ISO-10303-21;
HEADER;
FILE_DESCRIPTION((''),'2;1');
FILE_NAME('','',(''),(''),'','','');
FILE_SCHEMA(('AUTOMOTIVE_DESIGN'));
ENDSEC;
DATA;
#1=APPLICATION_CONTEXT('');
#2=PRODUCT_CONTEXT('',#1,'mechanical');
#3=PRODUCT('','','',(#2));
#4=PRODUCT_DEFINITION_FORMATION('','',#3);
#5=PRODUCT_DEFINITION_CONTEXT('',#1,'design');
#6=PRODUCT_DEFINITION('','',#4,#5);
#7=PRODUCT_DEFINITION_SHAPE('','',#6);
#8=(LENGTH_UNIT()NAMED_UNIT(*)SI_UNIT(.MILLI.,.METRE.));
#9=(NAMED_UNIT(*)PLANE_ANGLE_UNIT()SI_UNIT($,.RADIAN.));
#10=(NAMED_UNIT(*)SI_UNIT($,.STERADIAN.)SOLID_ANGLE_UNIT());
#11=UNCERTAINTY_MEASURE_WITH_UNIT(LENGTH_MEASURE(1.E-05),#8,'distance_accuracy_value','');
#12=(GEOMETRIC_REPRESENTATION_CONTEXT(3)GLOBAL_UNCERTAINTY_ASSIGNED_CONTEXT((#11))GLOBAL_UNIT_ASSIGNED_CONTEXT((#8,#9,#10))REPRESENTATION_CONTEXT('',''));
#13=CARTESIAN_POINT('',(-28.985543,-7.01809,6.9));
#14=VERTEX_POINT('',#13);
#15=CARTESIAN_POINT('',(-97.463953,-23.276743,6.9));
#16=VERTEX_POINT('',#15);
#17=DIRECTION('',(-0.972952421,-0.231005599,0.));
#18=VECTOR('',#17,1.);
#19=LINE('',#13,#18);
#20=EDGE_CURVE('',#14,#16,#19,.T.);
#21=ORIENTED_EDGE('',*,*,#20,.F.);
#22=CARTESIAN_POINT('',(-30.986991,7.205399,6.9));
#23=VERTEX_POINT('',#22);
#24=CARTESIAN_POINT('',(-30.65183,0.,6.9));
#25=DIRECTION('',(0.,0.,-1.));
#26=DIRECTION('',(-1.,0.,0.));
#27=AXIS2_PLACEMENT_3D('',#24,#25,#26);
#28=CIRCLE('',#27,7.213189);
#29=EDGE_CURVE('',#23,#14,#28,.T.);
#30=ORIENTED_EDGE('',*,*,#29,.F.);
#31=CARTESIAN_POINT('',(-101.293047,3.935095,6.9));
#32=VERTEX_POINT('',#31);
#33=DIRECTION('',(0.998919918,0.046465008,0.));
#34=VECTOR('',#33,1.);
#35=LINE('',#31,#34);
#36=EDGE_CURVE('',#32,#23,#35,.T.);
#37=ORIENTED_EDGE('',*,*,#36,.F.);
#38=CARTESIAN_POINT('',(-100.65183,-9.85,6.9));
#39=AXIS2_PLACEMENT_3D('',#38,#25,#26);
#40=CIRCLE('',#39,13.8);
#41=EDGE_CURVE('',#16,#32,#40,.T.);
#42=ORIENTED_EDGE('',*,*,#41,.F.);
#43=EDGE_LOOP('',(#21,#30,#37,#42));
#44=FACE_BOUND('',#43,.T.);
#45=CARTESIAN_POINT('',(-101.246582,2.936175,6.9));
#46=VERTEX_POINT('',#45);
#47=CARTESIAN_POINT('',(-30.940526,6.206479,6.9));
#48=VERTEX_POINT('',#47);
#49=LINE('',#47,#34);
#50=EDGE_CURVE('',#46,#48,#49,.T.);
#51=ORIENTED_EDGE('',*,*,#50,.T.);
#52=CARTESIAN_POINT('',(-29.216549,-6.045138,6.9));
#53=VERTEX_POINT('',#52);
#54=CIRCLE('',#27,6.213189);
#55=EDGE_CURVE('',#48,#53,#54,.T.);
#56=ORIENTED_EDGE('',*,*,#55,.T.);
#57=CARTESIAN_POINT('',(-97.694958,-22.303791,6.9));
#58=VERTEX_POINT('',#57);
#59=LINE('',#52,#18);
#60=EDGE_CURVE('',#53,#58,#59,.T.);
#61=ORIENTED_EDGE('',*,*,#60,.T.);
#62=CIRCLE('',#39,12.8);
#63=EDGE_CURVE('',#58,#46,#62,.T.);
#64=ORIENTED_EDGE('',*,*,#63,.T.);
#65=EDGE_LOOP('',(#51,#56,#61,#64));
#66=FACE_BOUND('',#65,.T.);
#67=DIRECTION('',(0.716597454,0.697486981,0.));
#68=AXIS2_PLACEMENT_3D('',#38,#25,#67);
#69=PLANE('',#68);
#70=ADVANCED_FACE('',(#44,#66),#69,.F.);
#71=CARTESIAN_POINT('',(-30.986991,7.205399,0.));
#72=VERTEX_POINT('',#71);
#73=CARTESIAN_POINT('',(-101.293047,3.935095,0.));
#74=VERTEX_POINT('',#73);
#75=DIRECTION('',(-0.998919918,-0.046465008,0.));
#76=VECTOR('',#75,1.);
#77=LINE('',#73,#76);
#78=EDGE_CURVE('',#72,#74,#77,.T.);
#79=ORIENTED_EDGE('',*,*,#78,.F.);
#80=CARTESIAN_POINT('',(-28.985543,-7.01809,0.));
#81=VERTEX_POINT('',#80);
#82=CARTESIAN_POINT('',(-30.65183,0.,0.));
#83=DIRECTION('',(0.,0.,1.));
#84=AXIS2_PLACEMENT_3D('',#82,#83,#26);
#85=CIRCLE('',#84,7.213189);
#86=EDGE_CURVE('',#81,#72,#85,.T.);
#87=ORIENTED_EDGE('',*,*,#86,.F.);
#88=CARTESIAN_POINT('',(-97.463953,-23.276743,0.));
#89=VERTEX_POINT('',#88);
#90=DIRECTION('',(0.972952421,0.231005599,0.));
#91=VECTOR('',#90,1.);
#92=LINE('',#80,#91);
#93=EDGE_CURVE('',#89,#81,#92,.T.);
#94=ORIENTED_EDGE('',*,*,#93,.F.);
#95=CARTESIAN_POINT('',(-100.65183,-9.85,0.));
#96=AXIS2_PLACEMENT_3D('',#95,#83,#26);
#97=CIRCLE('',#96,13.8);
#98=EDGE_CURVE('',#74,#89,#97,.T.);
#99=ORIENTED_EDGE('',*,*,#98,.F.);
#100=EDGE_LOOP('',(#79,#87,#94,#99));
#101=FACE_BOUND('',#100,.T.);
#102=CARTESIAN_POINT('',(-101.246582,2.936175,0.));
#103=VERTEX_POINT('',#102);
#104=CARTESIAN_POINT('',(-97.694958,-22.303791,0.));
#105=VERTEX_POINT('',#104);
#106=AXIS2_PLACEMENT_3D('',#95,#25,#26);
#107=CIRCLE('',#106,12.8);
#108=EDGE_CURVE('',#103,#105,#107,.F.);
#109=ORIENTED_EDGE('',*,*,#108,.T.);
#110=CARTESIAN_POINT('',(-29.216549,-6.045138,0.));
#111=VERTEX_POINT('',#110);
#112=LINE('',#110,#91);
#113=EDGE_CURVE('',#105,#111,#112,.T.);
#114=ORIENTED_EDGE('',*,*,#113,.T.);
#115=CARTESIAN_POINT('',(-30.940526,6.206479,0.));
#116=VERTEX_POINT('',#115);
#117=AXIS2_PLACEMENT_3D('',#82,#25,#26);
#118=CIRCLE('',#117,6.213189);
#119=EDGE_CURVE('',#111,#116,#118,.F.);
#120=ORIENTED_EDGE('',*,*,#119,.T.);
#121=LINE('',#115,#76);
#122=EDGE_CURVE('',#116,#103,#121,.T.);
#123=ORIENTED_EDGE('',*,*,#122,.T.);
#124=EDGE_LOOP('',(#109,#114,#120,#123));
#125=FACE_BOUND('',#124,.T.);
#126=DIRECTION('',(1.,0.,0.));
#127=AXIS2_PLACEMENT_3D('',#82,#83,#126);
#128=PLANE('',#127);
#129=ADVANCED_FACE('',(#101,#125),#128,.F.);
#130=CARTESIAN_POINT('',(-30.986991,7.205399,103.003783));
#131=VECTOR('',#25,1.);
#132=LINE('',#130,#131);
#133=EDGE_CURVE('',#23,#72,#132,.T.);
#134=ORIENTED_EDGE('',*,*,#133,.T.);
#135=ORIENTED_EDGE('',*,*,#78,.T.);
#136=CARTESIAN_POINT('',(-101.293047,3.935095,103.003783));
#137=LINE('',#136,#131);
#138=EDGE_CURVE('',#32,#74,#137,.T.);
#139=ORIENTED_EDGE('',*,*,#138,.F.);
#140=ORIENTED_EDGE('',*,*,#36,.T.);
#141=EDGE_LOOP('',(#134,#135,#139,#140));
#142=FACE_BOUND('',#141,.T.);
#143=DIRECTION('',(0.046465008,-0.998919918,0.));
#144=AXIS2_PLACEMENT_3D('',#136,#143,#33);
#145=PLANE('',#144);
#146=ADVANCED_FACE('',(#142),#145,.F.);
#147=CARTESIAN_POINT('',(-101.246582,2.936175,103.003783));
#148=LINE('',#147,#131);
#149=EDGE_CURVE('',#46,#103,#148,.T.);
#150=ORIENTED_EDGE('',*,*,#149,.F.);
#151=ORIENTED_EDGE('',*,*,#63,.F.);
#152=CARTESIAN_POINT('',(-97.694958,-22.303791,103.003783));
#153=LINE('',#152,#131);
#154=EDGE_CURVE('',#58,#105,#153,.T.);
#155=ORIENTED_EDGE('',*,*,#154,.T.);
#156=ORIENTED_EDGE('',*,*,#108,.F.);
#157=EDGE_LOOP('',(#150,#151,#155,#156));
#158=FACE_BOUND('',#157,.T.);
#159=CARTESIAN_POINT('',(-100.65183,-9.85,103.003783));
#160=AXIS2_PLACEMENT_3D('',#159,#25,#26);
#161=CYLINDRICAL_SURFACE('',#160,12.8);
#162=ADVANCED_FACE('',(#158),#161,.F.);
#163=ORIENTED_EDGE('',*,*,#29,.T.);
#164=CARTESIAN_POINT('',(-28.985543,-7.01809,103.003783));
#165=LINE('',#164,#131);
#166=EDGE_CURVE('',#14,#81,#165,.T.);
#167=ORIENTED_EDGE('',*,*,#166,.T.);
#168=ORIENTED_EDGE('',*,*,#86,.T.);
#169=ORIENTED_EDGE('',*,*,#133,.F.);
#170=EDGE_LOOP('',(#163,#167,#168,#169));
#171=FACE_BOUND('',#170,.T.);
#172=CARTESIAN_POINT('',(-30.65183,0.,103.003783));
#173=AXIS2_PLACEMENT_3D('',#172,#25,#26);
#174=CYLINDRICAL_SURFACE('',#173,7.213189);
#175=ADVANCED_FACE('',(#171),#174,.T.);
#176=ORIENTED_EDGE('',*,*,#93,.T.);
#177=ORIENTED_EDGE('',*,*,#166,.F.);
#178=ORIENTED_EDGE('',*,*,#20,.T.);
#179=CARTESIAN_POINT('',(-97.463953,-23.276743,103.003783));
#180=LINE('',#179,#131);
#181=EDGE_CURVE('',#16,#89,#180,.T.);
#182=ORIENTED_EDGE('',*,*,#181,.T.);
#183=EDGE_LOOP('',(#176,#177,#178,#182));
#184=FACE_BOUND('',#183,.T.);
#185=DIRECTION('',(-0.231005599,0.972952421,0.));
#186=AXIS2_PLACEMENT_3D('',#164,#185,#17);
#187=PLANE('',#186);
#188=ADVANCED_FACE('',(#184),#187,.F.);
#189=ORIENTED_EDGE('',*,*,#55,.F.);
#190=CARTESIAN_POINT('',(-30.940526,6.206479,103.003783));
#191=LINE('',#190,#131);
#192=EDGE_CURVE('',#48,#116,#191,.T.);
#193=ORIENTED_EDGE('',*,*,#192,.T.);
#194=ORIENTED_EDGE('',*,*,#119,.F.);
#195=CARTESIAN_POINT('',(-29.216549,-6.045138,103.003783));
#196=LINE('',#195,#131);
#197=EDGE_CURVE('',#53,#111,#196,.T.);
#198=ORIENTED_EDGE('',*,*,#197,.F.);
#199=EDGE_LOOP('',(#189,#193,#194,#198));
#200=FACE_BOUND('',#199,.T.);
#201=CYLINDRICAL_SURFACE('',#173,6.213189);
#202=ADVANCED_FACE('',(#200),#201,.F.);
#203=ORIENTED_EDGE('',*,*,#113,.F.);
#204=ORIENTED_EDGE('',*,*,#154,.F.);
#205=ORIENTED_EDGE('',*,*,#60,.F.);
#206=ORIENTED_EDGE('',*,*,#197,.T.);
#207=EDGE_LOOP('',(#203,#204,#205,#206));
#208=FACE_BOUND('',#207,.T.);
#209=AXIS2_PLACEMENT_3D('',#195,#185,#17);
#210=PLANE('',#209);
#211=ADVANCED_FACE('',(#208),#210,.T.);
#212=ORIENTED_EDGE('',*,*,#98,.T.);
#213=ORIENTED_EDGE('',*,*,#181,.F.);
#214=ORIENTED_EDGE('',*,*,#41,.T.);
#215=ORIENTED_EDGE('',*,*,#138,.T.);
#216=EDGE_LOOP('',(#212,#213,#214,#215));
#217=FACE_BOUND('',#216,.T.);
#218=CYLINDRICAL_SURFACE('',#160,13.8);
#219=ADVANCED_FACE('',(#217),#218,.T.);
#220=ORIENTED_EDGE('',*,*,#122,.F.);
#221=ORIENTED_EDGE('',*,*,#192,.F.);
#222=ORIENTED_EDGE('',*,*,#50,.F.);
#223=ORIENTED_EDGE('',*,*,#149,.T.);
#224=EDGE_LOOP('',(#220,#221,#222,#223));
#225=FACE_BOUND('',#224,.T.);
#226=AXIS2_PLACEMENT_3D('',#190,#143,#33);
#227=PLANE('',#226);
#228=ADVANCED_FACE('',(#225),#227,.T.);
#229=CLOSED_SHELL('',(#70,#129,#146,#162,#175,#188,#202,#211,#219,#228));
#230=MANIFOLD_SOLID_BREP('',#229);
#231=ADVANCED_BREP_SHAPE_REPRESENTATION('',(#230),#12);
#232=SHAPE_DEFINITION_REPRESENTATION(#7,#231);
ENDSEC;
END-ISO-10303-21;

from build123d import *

# Parameters (mm, degrees)
EXTRUDE_THIN1_DEPTH = 6.9


with BuildPart() as part:
    # Sketch2 → Extrude-Thin1 (new body)
    with BuildSketch(Plane.XY):
        with BuildLine():
            Line((-101.293047192, 3.935094871), (-30.986990981, 7.205398561))
            ThreePointArc((-30.986990981, 7.205398561), (-23.509009794, 1.005096854), (-28.985542936, -7.018090084))
            Line((-28.985542936, -7.018090084), (-97.463952805, -23.276743407))
            ThreePointArc((-97.463952805, -23.276743407), (-114.317202558, -11.772913128), (-101.293047192, 3.935094871))
        make_face()
        with BuildLine():
            Line((-101.246582183, 2.936174953), (-30.940525973, 6.206478643))
            ThreePointArc((-30.940525973, 6.206478643), (-24.499254177, 0.865755323), (-29.216548536, -6.045137663))
            Line((-29.216548536, -6.045137663), (-97.694958405, -22.303790986))
            ThreePointArc((-97.694958405, -22.303790986), (-113.326958176, -11.633571597), (-101.246582183, 2.936174953))
        make_face(mode=Mode.SUBTRACT)
    extrude(amount=EXTRUDE_THIN1_DEPTH)


solid = part.part
